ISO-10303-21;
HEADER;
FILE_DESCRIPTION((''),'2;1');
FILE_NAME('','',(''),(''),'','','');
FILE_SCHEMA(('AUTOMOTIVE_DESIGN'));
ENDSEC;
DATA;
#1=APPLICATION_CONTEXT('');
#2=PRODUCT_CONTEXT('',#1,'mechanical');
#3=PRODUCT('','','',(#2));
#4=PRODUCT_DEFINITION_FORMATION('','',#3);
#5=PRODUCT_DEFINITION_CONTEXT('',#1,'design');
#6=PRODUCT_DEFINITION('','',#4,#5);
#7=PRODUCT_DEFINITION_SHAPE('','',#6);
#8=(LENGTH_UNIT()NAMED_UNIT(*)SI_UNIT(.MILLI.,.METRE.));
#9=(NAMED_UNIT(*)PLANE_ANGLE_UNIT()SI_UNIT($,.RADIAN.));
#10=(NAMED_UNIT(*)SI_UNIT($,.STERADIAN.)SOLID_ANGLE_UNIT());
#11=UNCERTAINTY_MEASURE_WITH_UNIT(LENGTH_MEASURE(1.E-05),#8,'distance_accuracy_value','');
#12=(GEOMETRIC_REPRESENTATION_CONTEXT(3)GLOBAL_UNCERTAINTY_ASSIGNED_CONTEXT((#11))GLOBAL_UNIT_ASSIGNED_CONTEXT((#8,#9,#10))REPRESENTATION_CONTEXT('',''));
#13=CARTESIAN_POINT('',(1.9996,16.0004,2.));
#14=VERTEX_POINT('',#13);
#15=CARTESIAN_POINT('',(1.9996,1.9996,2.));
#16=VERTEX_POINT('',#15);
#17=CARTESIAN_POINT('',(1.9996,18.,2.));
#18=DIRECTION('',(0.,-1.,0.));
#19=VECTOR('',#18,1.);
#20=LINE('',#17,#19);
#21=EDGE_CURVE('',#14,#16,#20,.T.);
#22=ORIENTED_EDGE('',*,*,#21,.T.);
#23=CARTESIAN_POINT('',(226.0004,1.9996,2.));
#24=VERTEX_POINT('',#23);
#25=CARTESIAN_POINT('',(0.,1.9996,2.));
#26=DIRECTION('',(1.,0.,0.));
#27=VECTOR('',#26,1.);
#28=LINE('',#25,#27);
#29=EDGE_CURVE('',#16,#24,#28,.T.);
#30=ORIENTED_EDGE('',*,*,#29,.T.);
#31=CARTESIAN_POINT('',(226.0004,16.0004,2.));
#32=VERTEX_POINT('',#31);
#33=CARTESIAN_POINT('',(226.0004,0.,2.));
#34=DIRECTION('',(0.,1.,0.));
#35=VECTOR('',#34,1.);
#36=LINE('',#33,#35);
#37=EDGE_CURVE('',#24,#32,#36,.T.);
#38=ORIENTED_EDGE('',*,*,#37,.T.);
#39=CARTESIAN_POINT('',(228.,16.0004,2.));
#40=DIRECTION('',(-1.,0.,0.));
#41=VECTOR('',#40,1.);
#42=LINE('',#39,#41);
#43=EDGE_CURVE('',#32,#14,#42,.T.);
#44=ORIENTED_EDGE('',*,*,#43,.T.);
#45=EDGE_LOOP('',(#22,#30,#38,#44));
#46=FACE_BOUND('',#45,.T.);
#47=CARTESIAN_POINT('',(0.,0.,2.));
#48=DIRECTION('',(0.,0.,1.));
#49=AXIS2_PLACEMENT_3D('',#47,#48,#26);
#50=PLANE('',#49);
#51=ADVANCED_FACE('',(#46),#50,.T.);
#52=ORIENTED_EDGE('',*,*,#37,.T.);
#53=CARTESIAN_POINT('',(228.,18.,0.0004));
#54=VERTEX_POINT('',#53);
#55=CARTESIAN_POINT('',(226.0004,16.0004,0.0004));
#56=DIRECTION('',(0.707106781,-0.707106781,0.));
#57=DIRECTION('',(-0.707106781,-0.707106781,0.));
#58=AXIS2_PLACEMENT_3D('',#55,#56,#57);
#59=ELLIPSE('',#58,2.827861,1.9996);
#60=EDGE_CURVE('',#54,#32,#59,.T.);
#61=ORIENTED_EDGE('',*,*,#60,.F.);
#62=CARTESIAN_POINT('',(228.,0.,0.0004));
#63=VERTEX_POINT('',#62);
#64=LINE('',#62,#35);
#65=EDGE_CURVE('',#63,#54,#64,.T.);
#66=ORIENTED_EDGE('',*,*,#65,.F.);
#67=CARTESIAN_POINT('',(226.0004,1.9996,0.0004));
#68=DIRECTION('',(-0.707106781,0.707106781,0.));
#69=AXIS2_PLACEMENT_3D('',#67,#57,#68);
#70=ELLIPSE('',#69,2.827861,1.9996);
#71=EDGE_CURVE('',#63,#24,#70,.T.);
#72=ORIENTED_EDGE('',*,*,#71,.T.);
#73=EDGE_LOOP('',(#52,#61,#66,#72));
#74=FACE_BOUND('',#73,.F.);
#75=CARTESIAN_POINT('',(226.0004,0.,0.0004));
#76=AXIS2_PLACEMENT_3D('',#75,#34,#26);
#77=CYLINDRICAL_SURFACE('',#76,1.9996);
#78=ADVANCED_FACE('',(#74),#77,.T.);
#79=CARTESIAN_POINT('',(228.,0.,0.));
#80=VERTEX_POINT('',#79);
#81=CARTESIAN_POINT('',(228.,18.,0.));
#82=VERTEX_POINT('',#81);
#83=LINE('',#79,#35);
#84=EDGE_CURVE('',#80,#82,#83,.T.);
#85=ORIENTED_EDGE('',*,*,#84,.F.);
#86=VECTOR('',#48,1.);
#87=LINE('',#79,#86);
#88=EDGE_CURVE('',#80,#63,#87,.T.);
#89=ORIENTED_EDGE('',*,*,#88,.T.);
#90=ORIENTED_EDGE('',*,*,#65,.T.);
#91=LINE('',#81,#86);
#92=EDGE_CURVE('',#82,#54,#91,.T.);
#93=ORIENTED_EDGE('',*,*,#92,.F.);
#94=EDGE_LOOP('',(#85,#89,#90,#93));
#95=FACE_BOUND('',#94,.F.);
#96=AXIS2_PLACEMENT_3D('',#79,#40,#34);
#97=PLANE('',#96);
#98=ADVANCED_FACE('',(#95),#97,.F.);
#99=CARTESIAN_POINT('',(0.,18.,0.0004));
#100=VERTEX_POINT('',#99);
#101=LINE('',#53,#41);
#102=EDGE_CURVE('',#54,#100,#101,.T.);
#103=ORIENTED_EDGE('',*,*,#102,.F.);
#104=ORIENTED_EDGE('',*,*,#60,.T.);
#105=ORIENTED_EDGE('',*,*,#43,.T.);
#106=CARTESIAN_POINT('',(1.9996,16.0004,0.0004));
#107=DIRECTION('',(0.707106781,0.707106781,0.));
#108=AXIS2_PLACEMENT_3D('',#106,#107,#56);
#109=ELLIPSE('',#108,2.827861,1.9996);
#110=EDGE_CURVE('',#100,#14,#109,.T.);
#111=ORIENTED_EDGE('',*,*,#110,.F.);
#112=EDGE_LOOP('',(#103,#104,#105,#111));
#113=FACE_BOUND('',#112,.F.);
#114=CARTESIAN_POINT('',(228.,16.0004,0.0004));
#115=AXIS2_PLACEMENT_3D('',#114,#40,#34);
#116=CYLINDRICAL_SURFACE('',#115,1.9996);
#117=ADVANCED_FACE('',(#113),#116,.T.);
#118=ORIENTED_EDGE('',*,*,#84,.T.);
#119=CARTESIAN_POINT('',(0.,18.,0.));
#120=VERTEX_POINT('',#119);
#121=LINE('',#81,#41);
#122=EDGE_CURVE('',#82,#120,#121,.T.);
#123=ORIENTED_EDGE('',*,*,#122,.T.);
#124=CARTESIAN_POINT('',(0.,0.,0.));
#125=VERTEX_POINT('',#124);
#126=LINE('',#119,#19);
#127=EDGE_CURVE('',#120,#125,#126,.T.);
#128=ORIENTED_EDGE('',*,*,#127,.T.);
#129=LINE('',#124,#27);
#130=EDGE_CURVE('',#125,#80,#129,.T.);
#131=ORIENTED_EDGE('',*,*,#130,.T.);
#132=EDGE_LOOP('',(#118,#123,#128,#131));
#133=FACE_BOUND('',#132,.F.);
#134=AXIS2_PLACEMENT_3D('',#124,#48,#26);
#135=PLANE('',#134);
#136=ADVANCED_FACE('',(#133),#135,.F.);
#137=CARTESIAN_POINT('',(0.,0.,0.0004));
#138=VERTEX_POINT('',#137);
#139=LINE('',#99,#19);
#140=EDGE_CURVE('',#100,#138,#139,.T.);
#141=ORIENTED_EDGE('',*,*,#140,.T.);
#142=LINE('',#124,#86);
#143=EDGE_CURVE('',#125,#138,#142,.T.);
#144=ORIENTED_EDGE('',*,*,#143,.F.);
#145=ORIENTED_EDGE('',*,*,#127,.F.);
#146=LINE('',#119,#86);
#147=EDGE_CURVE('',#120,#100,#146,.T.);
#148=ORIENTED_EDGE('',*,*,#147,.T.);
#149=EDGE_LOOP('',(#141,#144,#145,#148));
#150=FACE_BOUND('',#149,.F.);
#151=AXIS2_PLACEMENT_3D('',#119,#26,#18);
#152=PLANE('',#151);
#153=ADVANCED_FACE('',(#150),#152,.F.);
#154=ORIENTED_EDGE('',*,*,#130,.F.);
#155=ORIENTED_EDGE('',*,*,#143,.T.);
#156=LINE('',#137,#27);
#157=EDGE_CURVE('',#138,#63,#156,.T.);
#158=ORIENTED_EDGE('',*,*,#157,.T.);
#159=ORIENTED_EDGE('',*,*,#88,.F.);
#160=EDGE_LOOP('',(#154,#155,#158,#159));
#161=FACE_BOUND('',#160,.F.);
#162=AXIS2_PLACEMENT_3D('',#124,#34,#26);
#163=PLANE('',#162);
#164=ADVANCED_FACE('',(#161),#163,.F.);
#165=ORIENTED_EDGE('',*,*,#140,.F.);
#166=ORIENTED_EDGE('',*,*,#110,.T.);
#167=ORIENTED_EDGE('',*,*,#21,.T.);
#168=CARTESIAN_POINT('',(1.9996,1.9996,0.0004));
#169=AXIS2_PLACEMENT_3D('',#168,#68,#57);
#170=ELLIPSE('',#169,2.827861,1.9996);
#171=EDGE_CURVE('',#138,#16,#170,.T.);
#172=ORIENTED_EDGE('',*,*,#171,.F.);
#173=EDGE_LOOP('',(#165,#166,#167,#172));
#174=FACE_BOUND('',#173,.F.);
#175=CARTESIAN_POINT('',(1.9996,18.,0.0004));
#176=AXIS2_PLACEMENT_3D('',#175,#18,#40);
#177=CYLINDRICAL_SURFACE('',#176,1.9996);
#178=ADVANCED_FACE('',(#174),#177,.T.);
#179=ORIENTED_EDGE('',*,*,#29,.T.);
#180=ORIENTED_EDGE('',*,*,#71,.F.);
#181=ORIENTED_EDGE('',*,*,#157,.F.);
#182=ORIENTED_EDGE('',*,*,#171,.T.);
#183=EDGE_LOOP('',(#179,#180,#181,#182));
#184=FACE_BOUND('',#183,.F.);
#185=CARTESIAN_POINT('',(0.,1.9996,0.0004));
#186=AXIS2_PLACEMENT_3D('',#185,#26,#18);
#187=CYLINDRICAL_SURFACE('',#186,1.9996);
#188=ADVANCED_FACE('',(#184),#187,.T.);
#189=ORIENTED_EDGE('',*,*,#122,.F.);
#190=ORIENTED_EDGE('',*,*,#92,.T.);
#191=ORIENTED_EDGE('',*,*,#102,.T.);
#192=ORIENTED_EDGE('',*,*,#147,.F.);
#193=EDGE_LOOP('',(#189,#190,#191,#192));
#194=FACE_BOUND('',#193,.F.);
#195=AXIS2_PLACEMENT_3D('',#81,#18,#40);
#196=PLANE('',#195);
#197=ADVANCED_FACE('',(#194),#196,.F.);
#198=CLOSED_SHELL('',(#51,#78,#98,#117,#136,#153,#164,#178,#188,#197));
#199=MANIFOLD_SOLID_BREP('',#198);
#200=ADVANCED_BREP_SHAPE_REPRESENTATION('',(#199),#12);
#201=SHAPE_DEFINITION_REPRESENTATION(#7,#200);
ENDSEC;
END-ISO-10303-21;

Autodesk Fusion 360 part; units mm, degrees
sketch "Sketch1" plane through (0, 0, 0) normal (0, 0, 1) x (1, 0, 0)
  line L0 (0, 0) -> (228, 0)
  line L1 (228, 0) -> (228, 18)
  line L2 (228, 18) -> (0, 18)
  line L3 (0, 18) -> (0, 0)
  dimension "d1" = 228
  dimension "d2" = 18
extrude "Extrude1" add sketch "Sketch1" along normal blind 2
fillet "Fillet1" radius 2 1 faces at (76, 12, 2)
